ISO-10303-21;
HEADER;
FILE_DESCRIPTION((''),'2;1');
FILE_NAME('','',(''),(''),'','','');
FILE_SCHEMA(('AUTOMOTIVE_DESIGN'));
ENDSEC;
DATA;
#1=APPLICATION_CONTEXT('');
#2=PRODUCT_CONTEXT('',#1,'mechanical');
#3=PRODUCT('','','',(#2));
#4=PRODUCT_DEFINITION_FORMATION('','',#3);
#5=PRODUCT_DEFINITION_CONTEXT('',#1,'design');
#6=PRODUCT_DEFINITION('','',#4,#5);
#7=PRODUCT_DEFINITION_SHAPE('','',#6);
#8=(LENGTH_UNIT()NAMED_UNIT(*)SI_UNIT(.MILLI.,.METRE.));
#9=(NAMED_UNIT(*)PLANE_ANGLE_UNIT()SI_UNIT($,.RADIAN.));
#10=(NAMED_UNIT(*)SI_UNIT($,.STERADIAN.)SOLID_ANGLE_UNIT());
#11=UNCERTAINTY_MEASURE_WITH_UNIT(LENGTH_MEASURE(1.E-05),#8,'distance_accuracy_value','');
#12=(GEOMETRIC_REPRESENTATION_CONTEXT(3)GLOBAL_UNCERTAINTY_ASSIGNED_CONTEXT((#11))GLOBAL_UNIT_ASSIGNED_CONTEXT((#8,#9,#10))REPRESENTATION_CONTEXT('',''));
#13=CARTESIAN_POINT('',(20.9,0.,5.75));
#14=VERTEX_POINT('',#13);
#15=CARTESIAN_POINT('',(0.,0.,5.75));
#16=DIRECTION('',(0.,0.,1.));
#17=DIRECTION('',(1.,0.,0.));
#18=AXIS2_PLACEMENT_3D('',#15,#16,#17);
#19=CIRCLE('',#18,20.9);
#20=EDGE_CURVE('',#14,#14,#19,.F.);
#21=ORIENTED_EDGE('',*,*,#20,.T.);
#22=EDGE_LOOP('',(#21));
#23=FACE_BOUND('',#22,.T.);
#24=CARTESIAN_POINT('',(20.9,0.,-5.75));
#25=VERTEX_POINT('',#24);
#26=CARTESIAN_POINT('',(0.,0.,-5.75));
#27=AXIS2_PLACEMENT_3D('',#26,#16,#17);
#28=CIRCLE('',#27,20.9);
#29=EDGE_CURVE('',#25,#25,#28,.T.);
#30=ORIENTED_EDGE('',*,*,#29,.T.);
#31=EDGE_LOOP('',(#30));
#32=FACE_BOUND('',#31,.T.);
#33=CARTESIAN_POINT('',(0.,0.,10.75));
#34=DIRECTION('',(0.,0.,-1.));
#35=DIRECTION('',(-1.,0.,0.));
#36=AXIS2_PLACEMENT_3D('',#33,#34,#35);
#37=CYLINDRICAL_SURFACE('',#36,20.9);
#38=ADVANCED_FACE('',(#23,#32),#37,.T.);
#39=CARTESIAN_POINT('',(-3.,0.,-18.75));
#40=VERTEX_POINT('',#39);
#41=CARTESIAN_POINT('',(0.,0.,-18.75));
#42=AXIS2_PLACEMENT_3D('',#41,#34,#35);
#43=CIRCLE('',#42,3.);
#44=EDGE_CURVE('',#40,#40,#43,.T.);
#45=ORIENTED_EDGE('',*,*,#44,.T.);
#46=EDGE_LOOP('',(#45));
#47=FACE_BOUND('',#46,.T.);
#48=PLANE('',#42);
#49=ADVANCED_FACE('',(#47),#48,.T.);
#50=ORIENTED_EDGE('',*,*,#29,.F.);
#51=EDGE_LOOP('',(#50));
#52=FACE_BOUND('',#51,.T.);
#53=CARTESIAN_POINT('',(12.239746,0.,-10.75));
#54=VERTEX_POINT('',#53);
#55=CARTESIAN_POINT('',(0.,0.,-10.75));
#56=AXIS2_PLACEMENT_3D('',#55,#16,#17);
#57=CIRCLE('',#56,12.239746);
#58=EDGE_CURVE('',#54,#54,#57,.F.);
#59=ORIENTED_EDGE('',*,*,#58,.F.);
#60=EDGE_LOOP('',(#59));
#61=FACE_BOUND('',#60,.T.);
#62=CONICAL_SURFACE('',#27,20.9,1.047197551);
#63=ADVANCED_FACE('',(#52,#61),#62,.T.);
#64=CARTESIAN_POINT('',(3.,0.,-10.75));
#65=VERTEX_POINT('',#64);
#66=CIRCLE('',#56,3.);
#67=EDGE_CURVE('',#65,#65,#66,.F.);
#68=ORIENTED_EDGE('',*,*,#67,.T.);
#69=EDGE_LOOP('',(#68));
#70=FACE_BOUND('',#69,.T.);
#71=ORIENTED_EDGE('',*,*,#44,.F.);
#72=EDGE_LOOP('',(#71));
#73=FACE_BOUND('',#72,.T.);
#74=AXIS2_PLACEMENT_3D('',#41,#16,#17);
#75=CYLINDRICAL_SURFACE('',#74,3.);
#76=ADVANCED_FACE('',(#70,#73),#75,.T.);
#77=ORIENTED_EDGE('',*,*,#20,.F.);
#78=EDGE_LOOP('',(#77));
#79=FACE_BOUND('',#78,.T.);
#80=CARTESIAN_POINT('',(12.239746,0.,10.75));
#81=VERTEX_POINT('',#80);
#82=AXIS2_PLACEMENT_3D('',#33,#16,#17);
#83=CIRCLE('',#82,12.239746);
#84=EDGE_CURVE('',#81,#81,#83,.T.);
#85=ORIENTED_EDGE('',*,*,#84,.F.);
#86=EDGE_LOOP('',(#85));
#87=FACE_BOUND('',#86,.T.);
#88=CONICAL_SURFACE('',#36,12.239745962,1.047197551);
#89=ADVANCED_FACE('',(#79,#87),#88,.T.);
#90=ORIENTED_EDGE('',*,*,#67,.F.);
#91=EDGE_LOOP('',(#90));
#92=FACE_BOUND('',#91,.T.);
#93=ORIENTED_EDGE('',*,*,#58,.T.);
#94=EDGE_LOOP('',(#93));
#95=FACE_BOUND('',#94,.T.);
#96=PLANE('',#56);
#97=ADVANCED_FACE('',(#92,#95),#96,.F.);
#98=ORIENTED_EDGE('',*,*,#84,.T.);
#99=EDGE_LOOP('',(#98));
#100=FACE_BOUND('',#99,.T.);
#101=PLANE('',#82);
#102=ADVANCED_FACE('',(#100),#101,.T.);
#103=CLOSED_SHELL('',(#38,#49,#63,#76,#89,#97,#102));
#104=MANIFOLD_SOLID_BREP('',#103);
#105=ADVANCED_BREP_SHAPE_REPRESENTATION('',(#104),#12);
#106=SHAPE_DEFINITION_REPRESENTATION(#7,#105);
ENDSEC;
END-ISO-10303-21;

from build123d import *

# Parameters (mm, degrees)
SCHIZZO2_R                   = 20.9
ESTRUSIONE_ESTRUSIONE1_DEPTH = 10.75
SCHIZZO3_R                   = 3
ESTRUSIONE_ESTRUSIONE2_DEPTH = 8
SMUSSO1_SIZE                 = 5
SMUSSO1_SIZE2                = 8.660254038


with BuildPart() as part:
    # Schizzo2 → Estrusione-Estrusione1 (new body, symmetric)
    with BuildSketch(Plane.XY):
        Circle(SCHIZZO2_R)
    extrude(amount=ESTRUSIONE_ESTRUSIONE1_DEPTH, both=True)

    # Schizzo3 → Estrusione-Estrusione2 (add)
    with BuildSketch(Plane(origin=(0, 0, -10.75), x_dir=(-1, 0, 0), z_dir=(0, 0, -1))):
        Circle(SCHIZZO3_R)
    extrude(amount=ESTRUSIONE_ESTRUSIONE2_DEPTH)

    # Smusso1
    smusso1_edges = [part.edges().sort_by_distance(p)[0] for p in [
        (-20.9, 0, -10.75),
        (-20.9, 0, 10.75),
    ]]
    smusso1_side = [part.faces().sort_by_distance(p)[0] for p in [
        (-20.9, 0, 0),
    ]]
    chamfer(smusso1_edges, length=SMUSSO1_SIZE, length2=SMUSSO1_SIZE2, reference=smusso1_side[0])


solid = part.part
